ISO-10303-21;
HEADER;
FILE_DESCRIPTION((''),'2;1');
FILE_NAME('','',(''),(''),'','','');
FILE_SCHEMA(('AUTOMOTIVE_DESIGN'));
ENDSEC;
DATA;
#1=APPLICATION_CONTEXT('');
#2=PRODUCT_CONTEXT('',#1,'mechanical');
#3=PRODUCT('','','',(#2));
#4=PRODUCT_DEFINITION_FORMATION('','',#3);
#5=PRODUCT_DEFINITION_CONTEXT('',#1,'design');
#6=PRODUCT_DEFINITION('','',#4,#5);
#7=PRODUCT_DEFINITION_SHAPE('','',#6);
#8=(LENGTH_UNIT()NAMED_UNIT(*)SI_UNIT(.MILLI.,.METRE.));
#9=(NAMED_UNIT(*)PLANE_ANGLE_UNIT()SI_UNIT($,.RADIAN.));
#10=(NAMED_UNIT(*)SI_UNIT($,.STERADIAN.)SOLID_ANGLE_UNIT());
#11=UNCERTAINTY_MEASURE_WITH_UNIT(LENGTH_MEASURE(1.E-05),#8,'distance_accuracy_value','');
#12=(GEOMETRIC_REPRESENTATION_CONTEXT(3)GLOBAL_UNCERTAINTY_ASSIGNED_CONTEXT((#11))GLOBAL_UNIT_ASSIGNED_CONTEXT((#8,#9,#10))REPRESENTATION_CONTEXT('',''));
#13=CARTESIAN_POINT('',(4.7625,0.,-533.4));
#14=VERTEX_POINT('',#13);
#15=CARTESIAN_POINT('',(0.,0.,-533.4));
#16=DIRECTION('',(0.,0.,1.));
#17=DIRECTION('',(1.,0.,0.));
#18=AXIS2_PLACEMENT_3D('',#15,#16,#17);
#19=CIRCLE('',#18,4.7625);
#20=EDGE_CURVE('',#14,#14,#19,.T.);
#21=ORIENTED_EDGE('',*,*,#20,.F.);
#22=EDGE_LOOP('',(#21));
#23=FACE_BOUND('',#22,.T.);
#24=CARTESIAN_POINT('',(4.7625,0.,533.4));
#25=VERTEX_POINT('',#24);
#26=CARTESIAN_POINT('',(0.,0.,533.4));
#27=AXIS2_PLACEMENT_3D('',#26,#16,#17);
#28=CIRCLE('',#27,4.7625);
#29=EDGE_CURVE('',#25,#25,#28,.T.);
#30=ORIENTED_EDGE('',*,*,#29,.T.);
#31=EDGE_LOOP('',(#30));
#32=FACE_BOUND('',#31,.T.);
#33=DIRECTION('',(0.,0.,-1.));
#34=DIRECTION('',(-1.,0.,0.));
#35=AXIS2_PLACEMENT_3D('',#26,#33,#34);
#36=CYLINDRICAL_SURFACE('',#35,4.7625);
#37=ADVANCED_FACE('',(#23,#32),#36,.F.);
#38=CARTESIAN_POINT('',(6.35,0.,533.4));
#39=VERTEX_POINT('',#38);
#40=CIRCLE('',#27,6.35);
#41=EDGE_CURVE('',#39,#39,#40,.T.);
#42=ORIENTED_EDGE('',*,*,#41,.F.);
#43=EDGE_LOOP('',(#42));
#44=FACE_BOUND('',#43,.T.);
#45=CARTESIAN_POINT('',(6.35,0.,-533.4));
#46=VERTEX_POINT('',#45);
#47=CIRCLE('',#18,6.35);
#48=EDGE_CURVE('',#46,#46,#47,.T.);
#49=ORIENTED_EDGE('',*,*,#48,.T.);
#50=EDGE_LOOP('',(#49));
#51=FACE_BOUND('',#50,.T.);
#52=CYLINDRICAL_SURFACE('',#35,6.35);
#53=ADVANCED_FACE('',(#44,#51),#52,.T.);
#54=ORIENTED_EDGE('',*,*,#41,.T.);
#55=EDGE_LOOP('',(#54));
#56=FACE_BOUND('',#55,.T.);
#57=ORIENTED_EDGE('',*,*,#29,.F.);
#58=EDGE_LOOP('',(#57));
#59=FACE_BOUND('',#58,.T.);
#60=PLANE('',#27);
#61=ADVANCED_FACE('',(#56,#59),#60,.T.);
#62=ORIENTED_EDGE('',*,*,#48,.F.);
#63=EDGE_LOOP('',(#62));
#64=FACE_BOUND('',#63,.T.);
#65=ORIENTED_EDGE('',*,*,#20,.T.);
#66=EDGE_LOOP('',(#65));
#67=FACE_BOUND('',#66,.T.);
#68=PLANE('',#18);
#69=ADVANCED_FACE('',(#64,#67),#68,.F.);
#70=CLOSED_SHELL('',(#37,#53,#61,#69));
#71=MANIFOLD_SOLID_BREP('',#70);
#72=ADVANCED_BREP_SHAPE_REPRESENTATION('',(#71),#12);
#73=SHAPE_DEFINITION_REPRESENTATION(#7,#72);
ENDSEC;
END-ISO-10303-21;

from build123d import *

# Parameters (mm, degrees)
SKETCH3_R           = 6.35
SKETCH3_R_2         = 4.7625
BOSS_EXTRUDE1_DEPTH = 533.4


with BuildPart() as part:
    # Sketch3 → Boss-Extrude1 (new, symmetric)
    with BuildSketch(Plane.XY):
        Circle(SKETCH3_R)
        Circle(SKETCH3_R_2, mode=Mode.SUBTRACT)
    extrude(amount=BOSS_EXTRUDE1_DEPTH, both=True)


solid = part.part
